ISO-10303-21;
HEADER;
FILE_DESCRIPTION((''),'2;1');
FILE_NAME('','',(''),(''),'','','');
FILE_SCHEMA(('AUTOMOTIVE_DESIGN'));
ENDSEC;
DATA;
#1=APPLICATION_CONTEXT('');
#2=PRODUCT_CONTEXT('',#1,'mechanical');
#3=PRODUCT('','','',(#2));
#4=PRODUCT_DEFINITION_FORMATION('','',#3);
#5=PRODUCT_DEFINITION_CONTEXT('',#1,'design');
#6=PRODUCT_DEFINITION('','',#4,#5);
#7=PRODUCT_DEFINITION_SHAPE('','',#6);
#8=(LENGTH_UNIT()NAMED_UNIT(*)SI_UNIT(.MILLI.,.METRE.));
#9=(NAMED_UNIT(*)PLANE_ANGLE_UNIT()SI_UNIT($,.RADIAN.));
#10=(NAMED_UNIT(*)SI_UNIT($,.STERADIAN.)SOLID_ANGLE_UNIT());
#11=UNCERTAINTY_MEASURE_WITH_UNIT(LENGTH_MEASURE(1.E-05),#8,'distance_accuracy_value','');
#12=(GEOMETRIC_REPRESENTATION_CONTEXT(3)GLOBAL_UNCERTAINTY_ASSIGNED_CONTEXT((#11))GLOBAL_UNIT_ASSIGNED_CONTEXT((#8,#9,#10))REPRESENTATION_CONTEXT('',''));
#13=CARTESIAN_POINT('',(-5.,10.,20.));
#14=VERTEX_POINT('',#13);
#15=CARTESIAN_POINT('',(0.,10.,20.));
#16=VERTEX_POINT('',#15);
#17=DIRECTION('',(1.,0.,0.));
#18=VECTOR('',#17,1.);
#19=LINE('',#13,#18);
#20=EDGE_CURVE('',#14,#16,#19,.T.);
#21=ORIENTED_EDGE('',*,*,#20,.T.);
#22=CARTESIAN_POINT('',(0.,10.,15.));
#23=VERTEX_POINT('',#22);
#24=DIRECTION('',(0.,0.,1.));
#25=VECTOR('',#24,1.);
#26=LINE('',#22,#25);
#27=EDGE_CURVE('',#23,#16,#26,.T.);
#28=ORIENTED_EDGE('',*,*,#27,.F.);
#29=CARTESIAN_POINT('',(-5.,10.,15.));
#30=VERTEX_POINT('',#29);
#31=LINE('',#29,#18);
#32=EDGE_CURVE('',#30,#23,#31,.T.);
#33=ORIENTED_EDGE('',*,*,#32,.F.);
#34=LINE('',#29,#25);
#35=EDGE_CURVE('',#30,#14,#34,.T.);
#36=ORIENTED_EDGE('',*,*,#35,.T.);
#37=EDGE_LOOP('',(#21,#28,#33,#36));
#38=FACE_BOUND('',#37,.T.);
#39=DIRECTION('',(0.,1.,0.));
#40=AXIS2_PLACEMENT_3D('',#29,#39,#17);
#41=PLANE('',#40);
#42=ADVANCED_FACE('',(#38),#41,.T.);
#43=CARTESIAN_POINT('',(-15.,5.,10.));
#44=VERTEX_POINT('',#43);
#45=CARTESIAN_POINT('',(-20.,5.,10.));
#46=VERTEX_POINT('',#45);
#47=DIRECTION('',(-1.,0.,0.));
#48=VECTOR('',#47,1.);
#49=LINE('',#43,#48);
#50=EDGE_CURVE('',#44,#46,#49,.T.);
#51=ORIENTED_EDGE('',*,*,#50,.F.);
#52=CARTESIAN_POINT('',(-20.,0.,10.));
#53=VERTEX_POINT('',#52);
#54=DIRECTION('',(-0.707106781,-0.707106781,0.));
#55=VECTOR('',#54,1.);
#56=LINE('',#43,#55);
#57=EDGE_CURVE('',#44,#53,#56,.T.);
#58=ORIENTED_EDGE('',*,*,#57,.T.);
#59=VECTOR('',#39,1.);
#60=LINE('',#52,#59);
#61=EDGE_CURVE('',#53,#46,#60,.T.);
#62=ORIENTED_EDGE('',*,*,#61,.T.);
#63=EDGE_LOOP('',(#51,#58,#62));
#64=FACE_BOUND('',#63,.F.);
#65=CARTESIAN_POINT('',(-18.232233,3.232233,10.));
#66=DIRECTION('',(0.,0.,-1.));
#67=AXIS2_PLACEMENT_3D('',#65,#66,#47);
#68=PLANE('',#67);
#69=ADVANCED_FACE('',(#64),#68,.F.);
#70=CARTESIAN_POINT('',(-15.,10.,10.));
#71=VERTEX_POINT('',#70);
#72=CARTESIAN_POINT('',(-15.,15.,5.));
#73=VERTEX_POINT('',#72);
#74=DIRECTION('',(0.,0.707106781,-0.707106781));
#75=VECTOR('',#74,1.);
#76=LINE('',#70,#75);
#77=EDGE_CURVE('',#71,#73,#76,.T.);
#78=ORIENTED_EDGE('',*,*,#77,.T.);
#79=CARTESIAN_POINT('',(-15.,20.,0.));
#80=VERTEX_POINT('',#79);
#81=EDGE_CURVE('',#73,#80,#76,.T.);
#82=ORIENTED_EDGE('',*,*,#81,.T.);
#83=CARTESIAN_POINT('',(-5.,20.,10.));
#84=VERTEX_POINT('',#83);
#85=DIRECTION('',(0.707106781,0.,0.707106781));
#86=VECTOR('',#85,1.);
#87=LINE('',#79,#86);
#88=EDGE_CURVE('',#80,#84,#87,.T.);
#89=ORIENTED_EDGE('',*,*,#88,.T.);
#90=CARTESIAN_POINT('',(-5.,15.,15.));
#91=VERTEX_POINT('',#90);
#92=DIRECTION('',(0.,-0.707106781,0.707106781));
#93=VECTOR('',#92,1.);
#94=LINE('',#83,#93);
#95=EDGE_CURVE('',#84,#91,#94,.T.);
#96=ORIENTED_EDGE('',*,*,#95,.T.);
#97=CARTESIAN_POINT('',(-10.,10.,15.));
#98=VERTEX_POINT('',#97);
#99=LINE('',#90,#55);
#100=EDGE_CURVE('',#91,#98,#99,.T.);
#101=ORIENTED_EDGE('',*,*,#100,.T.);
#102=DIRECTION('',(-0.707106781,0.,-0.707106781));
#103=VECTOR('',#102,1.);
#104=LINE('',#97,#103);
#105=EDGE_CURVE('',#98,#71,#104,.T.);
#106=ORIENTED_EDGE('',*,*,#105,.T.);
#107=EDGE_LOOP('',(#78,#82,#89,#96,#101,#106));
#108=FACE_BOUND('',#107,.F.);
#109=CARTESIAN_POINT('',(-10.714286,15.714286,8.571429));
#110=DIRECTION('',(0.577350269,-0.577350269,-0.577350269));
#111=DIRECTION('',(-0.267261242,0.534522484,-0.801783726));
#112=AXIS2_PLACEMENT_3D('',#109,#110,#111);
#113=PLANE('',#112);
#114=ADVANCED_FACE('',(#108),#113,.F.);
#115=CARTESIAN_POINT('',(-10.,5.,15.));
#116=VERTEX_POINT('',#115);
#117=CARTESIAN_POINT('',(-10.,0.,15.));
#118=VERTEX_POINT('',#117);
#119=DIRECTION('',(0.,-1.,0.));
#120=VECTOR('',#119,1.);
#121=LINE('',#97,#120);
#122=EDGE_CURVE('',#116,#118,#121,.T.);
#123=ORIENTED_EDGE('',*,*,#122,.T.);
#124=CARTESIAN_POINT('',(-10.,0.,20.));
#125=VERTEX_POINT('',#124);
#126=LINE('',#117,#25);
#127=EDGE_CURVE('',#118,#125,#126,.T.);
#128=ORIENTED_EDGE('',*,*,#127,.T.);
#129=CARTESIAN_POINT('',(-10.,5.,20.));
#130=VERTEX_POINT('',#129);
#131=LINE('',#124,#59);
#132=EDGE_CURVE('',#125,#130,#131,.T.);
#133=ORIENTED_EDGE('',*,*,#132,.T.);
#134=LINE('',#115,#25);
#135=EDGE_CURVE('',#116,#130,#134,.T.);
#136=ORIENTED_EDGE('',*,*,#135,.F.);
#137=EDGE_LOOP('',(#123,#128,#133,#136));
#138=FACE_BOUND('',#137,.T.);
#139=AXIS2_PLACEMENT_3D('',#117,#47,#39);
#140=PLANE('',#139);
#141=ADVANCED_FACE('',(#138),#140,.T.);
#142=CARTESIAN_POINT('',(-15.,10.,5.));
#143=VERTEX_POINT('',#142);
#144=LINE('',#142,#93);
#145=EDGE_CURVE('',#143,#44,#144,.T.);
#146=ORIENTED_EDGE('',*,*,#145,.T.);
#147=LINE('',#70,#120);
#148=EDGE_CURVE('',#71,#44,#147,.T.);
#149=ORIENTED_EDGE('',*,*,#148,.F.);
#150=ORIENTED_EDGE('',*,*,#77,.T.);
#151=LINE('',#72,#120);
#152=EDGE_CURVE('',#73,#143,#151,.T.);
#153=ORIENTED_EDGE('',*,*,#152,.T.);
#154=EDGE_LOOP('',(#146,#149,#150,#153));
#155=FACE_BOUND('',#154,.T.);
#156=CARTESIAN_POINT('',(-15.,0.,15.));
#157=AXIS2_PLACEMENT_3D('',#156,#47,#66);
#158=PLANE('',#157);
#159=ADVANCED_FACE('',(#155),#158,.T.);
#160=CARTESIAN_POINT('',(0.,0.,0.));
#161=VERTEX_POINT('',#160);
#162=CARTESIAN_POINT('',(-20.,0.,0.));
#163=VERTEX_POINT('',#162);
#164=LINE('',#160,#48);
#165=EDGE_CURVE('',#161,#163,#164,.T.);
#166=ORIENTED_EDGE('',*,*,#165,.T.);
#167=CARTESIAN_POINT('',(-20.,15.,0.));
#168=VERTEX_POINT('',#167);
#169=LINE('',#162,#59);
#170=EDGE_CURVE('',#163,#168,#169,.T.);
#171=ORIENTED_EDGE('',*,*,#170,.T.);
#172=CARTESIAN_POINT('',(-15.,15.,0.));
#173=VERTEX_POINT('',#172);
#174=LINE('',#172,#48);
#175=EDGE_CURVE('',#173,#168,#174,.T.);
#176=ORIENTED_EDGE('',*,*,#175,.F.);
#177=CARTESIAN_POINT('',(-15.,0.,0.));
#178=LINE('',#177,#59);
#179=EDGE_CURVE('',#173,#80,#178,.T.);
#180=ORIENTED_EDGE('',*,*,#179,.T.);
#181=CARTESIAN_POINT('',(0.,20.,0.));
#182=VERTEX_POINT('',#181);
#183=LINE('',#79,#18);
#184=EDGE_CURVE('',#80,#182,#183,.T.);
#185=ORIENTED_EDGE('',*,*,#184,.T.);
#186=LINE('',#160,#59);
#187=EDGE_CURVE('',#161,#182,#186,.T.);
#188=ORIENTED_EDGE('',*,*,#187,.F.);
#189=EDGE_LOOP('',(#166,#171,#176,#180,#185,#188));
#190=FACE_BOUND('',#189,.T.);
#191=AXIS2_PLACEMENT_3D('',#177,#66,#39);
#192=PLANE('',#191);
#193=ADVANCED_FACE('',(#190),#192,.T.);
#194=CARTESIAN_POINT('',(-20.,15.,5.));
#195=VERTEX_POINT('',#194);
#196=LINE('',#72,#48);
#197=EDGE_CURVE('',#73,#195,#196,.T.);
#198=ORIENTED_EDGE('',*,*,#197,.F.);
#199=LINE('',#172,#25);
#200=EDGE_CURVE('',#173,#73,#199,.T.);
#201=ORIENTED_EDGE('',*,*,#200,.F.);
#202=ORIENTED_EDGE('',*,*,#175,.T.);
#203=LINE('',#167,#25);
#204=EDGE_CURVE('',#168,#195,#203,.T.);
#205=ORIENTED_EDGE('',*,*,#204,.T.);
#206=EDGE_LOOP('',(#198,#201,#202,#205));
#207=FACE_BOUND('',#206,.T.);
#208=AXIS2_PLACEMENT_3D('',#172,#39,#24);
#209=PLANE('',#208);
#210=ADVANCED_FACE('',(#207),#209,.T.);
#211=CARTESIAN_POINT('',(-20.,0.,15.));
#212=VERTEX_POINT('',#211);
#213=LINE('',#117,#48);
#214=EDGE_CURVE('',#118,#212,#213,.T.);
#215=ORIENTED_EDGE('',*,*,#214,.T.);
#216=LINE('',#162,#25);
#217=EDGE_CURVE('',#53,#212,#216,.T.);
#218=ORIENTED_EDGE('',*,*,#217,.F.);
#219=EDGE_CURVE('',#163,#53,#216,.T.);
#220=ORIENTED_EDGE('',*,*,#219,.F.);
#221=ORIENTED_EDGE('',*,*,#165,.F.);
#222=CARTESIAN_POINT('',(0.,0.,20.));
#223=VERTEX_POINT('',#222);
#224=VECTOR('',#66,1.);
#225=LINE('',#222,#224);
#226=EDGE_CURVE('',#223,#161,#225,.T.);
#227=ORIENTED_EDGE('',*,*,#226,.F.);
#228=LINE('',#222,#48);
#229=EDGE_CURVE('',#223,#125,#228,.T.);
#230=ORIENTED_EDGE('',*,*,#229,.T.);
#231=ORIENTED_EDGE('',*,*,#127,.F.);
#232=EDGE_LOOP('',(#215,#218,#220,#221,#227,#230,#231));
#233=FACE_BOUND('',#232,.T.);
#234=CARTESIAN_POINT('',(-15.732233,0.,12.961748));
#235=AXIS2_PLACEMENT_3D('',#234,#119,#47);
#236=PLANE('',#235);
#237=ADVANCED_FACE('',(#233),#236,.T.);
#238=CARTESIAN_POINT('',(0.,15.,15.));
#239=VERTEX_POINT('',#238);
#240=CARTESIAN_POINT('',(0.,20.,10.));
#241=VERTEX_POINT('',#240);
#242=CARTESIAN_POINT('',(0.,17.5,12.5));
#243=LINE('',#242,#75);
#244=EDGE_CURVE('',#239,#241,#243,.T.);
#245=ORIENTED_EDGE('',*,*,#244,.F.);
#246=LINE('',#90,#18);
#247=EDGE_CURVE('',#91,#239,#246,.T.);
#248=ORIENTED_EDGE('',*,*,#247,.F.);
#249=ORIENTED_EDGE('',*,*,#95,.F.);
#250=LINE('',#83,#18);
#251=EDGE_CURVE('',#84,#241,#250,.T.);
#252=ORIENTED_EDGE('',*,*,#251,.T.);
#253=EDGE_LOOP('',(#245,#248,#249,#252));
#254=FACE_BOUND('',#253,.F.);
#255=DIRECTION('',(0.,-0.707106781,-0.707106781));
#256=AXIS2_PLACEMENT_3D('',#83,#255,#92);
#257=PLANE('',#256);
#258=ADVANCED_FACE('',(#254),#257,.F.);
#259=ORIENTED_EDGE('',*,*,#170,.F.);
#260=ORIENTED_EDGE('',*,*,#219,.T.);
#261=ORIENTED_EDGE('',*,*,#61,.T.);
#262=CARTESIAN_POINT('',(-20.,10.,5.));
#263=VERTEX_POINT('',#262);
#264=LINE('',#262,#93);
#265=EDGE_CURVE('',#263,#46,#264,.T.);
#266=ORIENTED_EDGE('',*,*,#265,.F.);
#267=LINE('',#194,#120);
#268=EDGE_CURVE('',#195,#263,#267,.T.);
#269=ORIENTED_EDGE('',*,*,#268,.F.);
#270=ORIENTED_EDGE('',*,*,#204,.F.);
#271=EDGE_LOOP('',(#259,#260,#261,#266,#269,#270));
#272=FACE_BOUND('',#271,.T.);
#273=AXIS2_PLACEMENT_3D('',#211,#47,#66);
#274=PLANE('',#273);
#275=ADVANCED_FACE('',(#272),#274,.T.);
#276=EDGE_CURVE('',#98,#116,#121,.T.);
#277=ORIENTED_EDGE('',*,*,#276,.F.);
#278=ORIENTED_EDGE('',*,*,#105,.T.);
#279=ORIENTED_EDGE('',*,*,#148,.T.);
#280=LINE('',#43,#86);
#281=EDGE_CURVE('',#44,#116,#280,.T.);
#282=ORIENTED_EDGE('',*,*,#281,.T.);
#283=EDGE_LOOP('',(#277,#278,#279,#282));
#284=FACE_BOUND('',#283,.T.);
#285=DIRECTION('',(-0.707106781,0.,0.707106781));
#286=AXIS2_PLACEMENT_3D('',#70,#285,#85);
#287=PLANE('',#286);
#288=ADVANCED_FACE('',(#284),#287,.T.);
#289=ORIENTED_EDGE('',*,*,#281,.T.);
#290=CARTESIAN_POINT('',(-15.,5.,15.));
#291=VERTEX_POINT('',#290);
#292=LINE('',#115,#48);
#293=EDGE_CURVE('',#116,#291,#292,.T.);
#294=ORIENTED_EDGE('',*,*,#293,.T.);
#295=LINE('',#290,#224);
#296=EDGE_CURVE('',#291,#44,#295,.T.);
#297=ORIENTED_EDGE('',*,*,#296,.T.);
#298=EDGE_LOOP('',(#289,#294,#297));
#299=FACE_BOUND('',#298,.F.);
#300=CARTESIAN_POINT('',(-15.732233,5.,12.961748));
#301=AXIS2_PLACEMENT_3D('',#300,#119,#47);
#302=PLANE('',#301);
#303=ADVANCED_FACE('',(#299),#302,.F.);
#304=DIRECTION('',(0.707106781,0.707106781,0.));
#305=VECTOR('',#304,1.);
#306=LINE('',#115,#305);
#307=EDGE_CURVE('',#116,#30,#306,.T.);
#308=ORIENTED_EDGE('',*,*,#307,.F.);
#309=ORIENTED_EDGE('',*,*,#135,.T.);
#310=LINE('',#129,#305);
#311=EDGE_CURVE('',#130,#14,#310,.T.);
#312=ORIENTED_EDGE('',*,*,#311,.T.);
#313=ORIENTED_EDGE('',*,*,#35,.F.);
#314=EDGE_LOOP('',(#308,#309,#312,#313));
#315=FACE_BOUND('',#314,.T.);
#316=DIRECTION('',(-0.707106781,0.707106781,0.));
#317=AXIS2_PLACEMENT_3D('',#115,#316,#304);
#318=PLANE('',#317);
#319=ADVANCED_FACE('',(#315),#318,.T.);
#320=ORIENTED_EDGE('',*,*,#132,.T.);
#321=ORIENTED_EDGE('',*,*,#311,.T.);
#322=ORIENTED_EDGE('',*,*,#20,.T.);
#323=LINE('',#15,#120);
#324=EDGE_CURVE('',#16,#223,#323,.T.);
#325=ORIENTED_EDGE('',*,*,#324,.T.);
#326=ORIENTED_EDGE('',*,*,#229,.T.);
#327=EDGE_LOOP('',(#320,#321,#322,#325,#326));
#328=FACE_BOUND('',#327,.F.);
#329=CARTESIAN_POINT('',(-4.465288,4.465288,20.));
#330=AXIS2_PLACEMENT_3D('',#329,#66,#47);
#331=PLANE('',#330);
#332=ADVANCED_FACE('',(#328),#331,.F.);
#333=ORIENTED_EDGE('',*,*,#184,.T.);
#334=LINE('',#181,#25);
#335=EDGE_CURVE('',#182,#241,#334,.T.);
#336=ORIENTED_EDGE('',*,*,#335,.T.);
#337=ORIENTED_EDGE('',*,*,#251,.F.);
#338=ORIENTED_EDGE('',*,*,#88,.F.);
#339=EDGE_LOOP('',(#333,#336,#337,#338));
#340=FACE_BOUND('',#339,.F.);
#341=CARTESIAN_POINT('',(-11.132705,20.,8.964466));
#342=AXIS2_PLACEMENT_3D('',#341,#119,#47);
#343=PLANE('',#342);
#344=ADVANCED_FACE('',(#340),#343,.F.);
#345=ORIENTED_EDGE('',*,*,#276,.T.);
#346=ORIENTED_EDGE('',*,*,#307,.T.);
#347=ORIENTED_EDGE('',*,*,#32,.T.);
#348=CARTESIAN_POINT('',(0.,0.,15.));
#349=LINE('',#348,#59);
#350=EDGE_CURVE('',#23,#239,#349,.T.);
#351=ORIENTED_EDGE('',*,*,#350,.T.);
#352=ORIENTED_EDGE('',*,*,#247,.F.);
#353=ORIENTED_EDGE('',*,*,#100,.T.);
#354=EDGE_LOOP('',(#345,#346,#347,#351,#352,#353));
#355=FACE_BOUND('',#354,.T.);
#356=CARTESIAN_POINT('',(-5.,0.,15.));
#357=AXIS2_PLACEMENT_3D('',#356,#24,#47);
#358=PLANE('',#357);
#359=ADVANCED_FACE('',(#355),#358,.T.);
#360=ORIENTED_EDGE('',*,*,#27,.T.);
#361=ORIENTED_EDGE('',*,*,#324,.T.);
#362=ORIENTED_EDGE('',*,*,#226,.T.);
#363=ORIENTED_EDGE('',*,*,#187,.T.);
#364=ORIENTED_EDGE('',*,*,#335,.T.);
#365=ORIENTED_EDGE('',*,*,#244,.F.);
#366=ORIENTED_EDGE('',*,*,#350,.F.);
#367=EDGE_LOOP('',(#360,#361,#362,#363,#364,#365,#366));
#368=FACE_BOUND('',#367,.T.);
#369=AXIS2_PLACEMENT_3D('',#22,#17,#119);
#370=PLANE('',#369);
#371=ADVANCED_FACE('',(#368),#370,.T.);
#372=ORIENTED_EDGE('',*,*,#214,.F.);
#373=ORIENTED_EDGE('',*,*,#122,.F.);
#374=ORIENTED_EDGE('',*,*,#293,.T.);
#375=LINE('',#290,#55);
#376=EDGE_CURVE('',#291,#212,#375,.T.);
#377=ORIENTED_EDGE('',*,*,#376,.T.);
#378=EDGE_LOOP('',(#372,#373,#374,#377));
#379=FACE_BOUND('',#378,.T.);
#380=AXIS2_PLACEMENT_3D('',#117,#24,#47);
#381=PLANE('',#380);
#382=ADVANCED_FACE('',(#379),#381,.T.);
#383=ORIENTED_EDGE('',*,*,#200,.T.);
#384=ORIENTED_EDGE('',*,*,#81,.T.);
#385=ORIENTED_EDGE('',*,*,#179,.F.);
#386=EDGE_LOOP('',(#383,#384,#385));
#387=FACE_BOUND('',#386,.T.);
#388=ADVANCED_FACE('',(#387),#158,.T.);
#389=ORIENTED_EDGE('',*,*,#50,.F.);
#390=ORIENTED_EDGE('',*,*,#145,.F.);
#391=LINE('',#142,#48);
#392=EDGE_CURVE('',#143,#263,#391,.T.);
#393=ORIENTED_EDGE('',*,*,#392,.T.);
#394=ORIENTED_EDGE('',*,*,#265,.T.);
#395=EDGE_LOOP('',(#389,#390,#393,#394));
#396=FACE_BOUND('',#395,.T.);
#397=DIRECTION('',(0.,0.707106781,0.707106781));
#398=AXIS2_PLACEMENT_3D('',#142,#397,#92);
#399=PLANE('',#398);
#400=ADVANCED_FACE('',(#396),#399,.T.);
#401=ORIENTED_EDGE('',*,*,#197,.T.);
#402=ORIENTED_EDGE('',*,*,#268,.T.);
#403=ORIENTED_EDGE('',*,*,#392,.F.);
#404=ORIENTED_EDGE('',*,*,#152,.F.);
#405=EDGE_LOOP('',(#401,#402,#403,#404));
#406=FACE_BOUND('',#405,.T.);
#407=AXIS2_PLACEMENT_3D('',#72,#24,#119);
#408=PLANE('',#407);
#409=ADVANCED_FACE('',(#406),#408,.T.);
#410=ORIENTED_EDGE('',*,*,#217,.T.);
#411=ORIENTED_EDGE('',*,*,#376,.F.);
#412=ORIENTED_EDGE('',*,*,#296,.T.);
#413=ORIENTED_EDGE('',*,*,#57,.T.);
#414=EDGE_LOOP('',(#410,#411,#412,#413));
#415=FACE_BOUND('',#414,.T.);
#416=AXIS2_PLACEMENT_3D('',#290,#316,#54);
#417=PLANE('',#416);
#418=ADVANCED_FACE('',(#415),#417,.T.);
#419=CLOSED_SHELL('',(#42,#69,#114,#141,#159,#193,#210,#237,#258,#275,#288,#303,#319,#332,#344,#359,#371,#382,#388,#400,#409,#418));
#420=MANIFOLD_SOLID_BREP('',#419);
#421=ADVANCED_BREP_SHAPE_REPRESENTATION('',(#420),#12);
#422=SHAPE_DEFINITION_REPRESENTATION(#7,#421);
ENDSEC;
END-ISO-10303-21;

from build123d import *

# Parameters (mm, degrees)
BOSS_EXTRUDE1_DEPTH = 20
CUT_EXTRUDE5_DEPTH  = 30
BOSS_EXTRUDE5_DEPTH = 20
CUT_EXTRUDE9_DEPTH  = 22
CUT_EXTRUDE10_DEPTH = 22
BOSS_EXTRUDE6_DEPTH = 5
BOSS_EXTRUDE7_DEPTH = 5
BOSS_EXTRUDE8_DEPTH = 5
CUT_EXTRUDE11_DEPTH = 5


with BuildPart() as part:
    # Sketch1 → Boss-Extrude1 (new body)
    with BuildSketch(Plane(origin=(0, 0, 0), x_dir=(1, 0, 0), z_dir=(0, 1, 0))):
        Polygon((-15, 0), (0, 0), (0, -15), (-5, -15), (-5, -10), align=None)
    extrude(amount=BOSS_EXTRUDE1_DEPTH)

    # Sketch8 → Cut-Extrude5 (cut)
    with BuildSketch(Plane.ZY.offset(5)):
        Polygon((10, 20), (15, 15), (15, 20), align=None)
    extrude(amount=-CUT_EXTRUDE5_DEPTH, mode=Mode.SUBTRACT)

    # Sketch9 → Boss-Extrude5 (add)
    with BuildSketch(Plane(origin=(0, 0, 0), x_dir=(-1, 0, 0), z_dir=(0, -1, 0))):
        Polygon((15, 0), (5, -10), (5, -15), (15, -15), align=None)
    extrude(amount=-BOSS_EXTRUDE5_DEPTH)

    # 3DSketch3 → Cut-Extrude9 (cut, along a direction that is not the sketch's normal)
    with BuildSketch(Plane(origin=(-15, 20, 0), x_dir=(0.2672612419124245, -0.5345224838248489, 0.8017837257372732), z_dir=(-0.5773502691896256, 0.5773502691896258, 0.5773502691896258))):
        Polygon((0, 0), (10.690449676, 9.258200998), (17.371980724, 6.943650748), (18.708286934, 0), (13.363062096, -4.629100499), align=None)
    extrude(amount=CUT_EXTRUDE9_DEPTH, dir=(0, 0, 1), mode=Mode.SUBTRACT)

    # Sketch11 → Cut-Extrude10 (cut)
    with BuildSketch(Plane(origin=(0, 10, 0), x_dir=(1, 0, 0), z_dir=(0, 1, 0))):
        Polygon((-15, -10), (-10, -15), (-15, -15), align=None)
    extrude(amount=-CUT_EXTRUDE10_DEPTH, mode=Mode.SUBTRACT)

    # Sketch12 → Boss-Extrude6 (add)
    with BuildSketch(Plane.XY.offset(15)):
        Polygon((-5, 10), (0, 10), (0, 0), (-10, 0), (-10, 5), align=None)
    extrude(amount=BOSS_EXTRUDE6_DEPTH)

    # Sketch13 → Boss-Extrude7 (add)
    with BuildSketch(Plane.ZY.offset(15)):
        Polygon((0, 0), (0, 15), (5, 15), (5, 10), (10, 5), (10, 0), align=None)
    extrude(amount=BOSS_EXTRUDE7_DEPTH)

    # Sketch14 → Boss-Extrude8 (add)
    with BuildSketch(Plane(origin=(0, 0, 0), x_dir=(-1, 0, 0), z_dir=(0, -1, 0))):
        Polygon((20, -10), (15, -10), (10, -15), (20, -15), align=None)
    extrude(amount=-BOSS_EXTRUDE8_DEPTH)

    # Sketch15 → Cut-Extrude11 (cut)
    with BuildSketch(Plane.XY.offset(15)):
        Polygon((-20, 0), (-20, 5), (-15, 5), align=None)
    extrude(amount=-CUT_EXTRUDE11_DEPTH, mode=Mode.SUBTRACT)


solid = part.part
